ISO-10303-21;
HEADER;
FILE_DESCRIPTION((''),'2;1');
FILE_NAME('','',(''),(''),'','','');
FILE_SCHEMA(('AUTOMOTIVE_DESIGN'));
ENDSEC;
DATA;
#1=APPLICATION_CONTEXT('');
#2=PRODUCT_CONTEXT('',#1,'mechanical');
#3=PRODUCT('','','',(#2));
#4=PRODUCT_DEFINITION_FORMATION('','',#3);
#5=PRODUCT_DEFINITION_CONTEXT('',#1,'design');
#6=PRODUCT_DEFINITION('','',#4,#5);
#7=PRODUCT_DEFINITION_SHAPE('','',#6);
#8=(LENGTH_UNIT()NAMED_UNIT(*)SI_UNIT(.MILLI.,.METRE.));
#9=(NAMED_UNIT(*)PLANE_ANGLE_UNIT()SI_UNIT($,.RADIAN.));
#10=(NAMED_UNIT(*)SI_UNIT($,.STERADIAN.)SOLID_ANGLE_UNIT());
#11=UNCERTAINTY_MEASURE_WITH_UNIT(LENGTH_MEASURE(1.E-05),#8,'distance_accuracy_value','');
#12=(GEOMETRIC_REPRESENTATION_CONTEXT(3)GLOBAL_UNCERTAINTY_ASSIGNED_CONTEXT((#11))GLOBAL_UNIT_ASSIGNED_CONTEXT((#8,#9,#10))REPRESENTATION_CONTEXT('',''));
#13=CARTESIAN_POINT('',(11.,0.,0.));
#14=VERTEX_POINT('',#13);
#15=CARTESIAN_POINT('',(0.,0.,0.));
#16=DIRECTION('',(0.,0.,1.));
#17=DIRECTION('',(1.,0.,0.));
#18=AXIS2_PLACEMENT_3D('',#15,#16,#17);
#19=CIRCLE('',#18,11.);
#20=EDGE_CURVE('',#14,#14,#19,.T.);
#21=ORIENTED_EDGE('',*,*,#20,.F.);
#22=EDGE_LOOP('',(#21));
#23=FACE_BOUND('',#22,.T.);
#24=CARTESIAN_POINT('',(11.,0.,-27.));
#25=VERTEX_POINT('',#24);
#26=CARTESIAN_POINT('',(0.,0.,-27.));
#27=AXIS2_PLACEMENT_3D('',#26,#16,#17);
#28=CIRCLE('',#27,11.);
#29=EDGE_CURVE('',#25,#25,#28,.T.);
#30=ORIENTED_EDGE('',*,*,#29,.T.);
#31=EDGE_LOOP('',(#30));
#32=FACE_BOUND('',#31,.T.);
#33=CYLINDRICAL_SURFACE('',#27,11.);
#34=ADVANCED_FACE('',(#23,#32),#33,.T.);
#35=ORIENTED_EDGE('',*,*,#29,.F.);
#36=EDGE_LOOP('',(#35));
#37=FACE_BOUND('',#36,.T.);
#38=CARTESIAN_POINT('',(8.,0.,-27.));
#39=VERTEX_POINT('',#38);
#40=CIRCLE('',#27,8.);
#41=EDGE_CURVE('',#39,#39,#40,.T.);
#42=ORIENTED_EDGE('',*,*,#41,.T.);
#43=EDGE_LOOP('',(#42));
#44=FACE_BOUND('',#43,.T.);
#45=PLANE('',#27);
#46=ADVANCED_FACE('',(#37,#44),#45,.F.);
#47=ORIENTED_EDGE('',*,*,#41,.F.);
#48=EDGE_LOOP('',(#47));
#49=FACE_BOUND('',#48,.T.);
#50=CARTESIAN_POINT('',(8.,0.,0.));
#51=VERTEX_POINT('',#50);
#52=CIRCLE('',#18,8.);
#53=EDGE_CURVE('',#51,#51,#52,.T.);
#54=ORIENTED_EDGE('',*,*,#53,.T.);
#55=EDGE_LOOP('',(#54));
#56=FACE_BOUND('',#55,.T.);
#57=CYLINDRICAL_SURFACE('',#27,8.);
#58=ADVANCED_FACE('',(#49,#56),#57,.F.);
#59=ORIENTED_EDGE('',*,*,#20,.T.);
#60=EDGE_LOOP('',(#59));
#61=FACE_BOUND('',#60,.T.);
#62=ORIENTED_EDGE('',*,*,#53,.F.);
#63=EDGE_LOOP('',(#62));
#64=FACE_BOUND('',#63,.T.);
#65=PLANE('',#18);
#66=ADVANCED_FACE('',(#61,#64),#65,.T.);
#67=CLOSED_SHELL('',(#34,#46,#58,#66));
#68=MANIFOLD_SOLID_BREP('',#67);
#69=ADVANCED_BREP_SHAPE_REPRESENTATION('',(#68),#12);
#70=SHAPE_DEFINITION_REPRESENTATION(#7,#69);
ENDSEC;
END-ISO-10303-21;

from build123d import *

# Parameters (mm, degrees)
CROQUIS1_R              = 11
CROQUIS1_R_2            = 8
SALIENTE_EXTRUIR1_DEPTH = 27


with BuildPart() as part:
    # Croquis1 → Saliente-Extruir1 (new body)
    with BuildSketch(Plane.XY):
        Circle(CROQUIS1_R)
        Circle(CROQUIS1_R_2, mode=Mode.SUBTRACT)
    extrude(amount=-SALIENTE_EXTRUIR1_DEPTH)


solid = part.part
